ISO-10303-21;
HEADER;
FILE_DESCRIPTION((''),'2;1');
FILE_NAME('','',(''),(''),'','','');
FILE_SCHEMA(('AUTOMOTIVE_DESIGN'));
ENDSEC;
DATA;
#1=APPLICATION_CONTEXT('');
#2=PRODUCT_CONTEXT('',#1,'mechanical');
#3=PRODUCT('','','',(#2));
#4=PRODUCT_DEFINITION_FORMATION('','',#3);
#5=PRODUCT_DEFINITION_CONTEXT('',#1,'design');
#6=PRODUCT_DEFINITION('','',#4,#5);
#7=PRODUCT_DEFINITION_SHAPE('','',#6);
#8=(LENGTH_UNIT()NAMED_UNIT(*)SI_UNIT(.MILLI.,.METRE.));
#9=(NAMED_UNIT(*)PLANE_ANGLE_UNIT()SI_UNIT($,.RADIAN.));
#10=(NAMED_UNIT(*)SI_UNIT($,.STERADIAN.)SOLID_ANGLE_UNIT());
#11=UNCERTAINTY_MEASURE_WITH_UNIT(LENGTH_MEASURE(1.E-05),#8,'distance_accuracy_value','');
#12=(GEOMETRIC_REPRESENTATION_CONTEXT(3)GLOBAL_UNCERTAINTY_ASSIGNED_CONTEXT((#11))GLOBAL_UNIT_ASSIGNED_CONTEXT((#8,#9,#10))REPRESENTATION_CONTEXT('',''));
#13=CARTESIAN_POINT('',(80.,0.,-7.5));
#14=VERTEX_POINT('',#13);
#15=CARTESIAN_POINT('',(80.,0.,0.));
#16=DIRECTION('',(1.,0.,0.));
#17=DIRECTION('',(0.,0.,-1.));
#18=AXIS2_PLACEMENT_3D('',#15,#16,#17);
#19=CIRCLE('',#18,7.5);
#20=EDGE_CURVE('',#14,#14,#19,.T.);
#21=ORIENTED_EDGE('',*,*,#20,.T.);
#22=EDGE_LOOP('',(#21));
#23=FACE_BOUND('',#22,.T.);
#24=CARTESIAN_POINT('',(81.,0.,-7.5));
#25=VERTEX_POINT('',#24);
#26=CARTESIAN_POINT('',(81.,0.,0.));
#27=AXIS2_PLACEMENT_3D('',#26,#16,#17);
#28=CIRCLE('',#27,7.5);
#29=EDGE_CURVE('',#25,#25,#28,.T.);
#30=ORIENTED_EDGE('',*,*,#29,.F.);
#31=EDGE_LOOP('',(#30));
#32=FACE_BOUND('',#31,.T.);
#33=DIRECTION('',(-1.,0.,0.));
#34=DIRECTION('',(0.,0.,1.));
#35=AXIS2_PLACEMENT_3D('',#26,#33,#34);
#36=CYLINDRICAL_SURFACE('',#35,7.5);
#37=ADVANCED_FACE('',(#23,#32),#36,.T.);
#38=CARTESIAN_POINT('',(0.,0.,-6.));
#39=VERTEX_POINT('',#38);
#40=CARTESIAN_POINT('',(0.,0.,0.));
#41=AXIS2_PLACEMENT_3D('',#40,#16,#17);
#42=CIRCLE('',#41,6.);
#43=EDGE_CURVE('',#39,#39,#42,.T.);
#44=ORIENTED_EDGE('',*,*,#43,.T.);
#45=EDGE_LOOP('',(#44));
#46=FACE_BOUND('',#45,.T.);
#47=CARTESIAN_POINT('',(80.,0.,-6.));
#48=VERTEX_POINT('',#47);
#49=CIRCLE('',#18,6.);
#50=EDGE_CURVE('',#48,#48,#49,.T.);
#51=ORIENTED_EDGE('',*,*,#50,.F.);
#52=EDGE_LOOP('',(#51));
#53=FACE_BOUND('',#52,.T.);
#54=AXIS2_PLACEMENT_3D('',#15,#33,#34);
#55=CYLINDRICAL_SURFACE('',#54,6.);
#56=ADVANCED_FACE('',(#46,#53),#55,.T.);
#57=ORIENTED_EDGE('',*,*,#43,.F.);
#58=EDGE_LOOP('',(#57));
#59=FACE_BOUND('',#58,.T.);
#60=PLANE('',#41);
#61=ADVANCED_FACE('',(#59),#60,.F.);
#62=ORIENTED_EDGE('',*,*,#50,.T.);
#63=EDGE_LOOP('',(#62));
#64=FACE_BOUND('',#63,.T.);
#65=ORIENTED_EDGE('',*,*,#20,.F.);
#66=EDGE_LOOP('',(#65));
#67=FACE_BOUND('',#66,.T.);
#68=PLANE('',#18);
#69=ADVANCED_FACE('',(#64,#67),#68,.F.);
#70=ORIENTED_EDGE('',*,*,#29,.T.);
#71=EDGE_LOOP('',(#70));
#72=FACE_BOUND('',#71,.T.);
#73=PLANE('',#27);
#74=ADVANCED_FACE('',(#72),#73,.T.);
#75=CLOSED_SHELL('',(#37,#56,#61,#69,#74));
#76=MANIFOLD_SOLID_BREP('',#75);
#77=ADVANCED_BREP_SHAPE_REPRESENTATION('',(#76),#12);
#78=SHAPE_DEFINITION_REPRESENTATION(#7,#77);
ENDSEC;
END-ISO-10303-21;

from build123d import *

# Parameters (mm, degrees)
SKETCH1_R           = 6
BOSS_EXTRUDE1_DEPTH = 80
SKETCH2_R           = 7.5
BOSS_EXTRUDE2_DEPTH = 1


with BuildPart() as part:
    # Sketch1 → Boss-Extrude1 (new body)
    with BuildSketch(Plane(origin=(0, 0, 0), x_dir=(0, 0, -1), z_dir=(1, 0, 0))):
        Circle(SKETCH1_R)
    extrude(amount=BOSS_EXTRUDE1_DEPTH)

    # Sketch2 → Boss-Extrude2 (add)
    with BuildSketch(Plane(origin=(80, 0, 0), x_dir=(0, 0, -1), z_dir=(1, 0, 0))):
        Circle(SKETCH2_R)
    extrude(amount=BOSS_EXTRUDE2_DEPTH)


solid = part.part
